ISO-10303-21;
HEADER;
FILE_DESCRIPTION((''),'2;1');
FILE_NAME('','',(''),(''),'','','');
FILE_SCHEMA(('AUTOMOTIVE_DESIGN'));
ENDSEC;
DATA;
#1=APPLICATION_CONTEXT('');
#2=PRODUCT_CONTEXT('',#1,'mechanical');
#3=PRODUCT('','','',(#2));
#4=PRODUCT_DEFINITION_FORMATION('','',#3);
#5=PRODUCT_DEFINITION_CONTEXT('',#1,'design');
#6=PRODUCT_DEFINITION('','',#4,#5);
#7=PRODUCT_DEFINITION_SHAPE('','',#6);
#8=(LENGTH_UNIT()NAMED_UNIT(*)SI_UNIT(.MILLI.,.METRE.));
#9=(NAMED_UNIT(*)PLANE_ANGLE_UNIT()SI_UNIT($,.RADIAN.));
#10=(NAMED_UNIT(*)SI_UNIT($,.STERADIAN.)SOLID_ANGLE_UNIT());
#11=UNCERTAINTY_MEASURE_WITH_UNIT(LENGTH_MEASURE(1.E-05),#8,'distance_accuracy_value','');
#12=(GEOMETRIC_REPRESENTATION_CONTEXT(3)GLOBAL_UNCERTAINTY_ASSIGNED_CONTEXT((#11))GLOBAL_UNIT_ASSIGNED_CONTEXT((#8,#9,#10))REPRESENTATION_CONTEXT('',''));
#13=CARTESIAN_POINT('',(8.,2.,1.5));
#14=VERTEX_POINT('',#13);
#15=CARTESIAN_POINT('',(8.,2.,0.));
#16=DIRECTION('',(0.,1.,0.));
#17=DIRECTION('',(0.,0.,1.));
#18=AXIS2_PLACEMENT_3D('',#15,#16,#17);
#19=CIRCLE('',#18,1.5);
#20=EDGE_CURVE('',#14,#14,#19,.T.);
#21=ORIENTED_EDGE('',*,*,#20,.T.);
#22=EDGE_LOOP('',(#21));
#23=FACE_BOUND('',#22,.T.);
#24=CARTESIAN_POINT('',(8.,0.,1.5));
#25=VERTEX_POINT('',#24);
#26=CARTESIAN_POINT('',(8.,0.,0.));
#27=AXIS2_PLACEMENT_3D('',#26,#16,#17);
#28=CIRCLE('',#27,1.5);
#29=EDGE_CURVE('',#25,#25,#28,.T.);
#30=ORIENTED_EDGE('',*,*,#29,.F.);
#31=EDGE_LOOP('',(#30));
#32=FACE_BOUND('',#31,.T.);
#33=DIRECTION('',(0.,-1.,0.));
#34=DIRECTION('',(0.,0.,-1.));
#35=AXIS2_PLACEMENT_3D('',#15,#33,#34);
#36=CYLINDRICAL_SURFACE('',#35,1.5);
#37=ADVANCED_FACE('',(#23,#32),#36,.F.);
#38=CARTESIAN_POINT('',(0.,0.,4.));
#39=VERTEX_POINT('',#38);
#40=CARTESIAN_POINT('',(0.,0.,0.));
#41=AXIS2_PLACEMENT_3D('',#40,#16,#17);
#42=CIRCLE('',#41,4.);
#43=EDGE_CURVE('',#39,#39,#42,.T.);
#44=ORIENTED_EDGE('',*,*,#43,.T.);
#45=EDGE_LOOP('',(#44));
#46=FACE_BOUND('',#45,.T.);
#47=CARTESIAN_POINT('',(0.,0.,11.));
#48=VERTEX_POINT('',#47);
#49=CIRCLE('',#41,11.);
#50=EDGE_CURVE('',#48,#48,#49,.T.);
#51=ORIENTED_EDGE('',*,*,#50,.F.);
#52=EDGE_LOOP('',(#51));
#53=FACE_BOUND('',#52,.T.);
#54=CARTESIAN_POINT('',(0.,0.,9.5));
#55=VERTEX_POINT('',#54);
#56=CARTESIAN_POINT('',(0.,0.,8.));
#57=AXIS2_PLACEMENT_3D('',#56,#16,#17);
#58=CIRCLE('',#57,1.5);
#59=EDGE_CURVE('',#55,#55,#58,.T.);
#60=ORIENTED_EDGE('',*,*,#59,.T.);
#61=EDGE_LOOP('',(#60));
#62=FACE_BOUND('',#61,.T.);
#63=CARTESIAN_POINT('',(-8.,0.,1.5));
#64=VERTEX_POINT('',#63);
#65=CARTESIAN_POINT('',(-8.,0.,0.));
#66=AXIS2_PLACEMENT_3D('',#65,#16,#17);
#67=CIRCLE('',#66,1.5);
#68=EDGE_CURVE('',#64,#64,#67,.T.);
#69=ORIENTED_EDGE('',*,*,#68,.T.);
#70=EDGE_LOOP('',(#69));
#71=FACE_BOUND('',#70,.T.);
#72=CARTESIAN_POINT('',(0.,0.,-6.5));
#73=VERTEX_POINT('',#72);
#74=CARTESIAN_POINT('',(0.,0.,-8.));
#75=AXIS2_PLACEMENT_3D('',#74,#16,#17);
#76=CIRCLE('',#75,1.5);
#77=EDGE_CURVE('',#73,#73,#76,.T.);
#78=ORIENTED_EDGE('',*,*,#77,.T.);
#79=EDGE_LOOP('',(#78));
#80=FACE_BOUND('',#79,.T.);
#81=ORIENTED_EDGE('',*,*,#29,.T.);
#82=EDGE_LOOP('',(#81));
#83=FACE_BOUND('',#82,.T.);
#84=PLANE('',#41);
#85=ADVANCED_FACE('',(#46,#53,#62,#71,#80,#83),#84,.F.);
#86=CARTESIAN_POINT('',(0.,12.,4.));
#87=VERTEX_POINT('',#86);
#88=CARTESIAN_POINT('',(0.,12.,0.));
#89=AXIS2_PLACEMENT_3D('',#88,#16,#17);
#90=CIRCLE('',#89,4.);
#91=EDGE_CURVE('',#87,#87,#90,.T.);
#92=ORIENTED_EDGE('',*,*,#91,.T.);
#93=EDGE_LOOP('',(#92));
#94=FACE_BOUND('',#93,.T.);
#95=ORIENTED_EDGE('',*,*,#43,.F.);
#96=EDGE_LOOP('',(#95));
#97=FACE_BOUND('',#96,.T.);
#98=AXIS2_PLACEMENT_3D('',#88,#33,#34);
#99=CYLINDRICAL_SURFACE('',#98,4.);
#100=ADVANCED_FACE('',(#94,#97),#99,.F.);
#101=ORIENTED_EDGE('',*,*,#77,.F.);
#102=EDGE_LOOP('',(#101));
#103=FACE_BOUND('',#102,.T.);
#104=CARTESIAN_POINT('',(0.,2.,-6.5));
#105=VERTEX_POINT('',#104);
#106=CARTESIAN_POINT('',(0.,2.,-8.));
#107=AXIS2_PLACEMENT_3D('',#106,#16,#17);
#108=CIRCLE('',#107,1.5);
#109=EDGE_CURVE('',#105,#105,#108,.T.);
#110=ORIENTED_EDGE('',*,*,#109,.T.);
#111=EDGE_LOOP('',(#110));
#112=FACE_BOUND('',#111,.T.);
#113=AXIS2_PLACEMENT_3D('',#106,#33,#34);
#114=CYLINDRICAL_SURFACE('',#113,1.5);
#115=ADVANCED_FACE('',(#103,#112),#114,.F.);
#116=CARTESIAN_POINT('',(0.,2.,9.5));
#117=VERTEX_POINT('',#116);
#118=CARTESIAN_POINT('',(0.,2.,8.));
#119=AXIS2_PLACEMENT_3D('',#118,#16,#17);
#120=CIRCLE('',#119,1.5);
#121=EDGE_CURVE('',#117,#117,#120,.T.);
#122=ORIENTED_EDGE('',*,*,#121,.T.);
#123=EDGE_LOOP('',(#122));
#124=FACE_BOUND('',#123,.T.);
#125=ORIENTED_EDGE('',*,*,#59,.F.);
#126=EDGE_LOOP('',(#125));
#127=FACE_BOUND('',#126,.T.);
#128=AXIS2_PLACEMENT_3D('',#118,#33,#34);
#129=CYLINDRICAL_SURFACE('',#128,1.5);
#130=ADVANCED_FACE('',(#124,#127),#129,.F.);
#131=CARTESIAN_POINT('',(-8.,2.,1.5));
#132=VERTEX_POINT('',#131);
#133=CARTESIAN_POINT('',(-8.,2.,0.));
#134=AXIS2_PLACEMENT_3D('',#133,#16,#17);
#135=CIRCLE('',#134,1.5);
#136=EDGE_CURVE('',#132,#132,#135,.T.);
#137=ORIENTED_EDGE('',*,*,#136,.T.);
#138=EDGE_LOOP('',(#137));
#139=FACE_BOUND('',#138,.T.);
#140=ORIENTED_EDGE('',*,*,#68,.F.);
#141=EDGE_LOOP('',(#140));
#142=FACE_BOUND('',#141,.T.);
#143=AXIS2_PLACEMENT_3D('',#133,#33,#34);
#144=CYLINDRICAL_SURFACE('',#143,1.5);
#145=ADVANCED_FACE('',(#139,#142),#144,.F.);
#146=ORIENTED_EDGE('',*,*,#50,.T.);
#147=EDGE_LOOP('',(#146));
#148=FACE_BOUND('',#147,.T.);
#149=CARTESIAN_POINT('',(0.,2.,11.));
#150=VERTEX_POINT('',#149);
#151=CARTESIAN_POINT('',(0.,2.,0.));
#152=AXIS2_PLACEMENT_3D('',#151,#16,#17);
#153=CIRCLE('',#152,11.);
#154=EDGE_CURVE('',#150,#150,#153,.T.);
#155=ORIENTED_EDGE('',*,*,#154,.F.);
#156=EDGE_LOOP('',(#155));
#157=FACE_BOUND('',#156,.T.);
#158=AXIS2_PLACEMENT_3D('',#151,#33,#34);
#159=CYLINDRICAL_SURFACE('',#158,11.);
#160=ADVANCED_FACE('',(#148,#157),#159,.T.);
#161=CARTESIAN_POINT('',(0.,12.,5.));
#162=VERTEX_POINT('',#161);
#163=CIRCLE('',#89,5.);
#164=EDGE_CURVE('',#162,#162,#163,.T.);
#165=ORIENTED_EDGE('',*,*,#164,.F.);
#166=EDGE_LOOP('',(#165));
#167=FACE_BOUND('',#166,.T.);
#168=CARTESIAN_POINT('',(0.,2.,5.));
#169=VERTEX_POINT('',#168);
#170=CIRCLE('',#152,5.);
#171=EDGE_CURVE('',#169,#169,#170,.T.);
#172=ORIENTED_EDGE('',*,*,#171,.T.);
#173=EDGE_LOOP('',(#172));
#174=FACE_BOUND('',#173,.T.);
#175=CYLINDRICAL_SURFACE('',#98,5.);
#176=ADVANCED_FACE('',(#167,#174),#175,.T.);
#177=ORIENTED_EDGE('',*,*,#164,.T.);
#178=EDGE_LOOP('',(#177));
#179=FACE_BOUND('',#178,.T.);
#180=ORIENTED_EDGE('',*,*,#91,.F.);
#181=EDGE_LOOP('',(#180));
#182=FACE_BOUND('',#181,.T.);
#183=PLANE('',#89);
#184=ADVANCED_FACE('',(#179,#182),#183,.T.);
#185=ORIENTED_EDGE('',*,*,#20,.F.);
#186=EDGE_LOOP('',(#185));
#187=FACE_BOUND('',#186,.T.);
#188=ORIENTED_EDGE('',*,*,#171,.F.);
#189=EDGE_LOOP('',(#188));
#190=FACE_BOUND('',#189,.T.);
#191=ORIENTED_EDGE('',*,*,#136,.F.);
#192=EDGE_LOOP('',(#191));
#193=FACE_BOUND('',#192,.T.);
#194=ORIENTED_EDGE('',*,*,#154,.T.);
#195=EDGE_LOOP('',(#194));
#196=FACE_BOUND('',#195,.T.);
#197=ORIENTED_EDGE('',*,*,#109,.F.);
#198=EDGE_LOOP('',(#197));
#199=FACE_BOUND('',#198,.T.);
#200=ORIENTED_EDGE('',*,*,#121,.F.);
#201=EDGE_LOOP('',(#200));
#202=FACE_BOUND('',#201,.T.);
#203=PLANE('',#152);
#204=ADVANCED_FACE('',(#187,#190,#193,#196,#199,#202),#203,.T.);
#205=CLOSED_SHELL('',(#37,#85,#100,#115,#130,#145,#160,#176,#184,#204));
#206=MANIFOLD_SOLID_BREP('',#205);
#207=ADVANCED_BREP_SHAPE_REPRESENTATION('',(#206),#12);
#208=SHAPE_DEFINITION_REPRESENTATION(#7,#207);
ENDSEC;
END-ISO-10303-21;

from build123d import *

# Parameters (mm, degrees)
SKETCH1_R           = 11
SKETCH1_R_2         = 1.5
SKETCH1_R_3         = 5
BOSS_EXTRUDE1_DEPTH = 2
SKETCH1_3_R         = 5
SKETCH1_3_R_2       = 4
BOSS_EXTRUDE2_DEPTH = 12


with BuildPart() as part:
    # Sketch1 → Boss-Extrude1 (new body)
    with BuildSketch(Plane(origin=(0, 0, 0), x_dir=(1, 0, 0), z_dir=(0, 1, 0))):
        Circle(SKETCH1_R)
        with Locations((-8, 0)):
            Circle(SKETCH1_R_2, mode=Mode.SUBTRACT)
        with Locations((0, -8)):
            Circle(SKETCH1_R_2, mode=Mode.SUBTRACT)
        with Locations((8, 0)):
            Circle(SKETCH1_R_2, mode=Mode.SUBTRACT)
        with Locations((0, 8)):
            Circle(SKETCH1_R_2, mode=Mode.SUBTRACT)
        Circle(SKETCH1_R_3, mode=Mode.SUBTRACT)
    extrude(amount=BOSS_EXTRUDE1_DEPTH)

    # Sketch1<3> → Boss-Extrude2 (add)
    with BuildSketch(Plane(origin=(0, 0, 0), x_dir=(1, 0, 0), z_dir=(0, 1, 0))):
        Circle(SKETCH1_3_R)
        Circle(SKETCH1_3_R_2, mode=Mode.SUBTRACT)
    extrude(amount=BOSS_EXTRUDE2_DEPTH)


solid = part.part
